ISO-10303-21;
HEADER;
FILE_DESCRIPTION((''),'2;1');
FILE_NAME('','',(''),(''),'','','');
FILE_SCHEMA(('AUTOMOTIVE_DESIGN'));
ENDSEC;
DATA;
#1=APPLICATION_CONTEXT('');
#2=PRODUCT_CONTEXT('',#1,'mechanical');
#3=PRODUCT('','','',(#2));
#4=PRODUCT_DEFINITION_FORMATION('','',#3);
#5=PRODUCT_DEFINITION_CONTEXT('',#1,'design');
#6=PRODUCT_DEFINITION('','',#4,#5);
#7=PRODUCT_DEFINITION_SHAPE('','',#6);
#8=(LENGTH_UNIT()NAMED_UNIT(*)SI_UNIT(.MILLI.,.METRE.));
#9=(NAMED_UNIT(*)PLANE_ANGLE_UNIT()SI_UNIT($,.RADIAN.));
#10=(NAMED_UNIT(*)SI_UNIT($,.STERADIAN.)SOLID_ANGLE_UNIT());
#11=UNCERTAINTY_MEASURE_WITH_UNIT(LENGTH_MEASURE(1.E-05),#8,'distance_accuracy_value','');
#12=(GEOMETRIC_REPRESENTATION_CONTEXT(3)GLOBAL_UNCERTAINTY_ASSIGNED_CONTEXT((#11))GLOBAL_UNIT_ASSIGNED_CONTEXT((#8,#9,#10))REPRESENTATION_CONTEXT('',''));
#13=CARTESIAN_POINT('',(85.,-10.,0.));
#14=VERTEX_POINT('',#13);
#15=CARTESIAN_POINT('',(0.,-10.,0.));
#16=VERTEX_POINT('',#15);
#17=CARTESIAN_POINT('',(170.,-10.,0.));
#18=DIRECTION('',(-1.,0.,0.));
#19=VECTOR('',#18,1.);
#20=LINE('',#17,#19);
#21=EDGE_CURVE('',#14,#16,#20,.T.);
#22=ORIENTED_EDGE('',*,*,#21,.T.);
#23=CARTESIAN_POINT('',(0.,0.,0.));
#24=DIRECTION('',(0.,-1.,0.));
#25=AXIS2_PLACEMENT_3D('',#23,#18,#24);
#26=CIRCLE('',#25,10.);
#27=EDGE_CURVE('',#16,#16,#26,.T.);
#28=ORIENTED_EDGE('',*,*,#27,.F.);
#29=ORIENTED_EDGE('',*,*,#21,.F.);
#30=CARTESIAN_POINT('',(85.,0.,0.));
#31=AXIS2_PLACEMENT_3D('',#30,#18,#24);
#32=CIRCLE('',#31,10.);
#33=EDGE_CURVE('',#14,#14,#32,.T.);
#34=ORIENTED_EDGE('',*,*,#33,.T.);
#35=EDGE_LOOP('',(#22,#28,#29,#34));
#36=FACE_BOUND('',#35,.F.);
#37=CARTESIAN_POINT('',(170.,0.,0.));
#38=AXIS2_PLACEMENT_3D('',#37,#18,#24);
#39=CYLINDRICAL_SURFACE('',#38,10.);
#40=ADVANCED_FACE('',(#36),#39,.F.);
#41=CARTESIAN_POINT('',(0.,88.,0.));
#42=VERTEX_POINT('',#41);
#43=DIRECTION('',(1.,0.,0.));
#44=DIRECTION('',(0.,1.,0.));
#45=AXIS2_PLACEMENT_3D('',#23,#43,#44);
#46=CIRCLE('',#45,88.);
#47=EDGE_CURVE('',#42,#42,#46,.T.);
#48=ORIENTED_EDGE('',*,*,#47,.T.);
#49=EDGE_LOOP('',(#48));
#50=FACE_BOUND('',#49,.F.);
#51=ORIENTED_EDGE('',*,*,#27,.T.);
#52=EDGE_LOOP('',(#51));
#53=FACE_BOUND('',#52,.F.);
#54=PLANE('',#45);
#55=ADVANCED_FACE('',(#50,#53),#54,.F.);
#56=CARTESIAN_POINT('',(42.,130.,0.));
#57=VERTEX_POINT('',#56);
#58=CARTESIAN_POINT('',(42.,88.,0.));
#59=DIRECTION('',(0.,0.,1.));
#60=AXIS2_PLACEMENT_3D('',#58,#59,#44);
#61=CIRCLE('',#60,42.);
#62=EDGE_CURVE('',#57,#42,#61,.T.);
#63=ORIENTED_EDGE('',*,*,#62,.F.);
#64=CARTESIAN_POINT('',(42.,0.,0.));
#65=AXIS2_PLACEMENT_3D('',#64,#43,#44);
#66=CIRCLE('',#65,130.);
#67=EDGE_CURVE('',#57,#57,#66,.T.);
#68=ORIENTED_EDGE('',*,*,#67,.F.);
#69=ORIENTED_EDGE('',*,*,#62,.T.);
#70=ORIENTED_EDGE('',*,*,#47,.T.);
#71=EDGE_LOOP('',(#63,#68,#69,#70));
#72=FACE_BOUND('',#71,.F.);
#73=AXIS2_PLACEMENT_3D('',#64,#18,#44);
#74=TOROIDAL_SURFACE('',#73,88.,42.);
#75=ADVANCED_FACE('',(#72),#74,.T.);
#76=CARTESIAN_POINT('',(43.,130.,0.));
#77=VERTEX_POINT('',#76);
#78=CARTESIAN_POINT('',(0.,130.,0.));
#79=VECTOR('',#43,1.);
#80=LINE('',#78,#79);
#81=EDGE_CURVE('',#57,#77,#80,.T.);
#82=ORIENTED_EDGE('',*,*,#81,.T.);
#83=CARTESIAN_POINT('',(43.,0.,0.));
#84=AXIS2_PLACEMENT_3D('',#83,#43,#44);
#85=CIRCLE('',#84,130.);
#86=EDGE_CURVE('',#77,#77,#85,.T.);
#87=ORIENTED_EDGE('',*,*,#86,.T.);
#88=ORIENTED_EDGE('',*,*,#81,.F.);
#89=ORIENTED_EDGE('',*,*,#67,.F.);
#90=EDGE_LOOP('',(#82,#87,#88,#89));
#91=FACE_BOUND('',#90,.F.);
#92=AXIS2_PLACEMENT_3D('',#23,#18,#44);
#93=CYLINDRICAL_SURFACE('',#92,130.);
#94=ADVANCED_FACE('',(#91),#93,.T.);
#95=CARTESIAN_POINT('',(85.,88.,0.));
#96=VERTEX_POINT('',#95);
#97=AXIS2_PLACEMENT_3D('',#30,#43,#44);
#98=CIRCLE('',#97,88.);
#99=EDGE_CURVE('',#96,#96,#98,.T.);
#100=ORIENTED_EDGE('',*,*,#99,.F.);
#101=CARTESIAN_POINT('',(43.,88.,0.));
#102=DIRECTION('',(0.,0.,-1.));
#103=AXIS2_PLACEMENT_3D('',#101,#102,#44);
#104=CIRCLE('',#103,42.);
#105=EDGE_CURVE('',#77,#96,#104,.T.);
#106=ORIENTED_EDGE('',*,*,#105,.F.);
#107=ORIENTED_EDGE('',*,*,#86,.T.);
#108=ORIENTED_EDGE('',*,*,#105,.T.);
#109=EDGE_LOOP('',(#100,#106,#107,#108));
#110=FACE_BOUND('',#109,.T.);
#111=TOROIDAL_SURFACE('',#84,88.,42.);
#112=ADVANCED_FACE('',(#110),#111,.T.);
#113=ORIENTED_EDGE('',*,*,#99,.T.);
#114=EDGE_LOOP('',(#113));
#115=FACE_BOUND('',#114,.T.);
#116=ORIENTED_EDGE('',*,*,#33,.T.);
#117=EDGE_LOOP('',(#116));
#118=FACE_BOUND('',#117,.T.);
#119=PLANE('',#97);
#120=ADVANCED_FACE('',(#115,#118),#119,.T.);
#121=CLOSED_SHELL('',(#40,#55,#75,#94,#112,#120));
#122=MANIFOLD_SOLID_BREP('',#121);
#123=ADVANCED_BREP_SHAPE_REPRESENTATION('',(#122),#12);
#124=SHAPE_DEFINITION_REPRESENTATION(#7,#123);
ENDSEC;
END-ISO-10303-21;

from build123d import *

# Parameters (mm, degrees)
F0_R     = 130
F1_DEPTH = 85
F3_D     = 20
F3_DEPTH = 85
F4_R     = 42


with BuildPart() as f1:
    # F0 (on Right) → F1 (new body)
    with BuildSketch(Plane.YZ):
        Circle(F0_R)
    extrude(amount=F1_DEPTH)

    # F3
    with Locations(Plane.YZ.offset(85)):
        with Locations((0, 0)):
            Hole(F3_D / 2, depth=F3_DEPTH)

    # F4
    f4_edges = [f1.edges().sort_by_distance(p)[0] for p in [
        (0, -130, 0),
        (85, -130, 0),
    ]]
    fillet(f4_edges, radius=F4_R)


solid = f1.part
